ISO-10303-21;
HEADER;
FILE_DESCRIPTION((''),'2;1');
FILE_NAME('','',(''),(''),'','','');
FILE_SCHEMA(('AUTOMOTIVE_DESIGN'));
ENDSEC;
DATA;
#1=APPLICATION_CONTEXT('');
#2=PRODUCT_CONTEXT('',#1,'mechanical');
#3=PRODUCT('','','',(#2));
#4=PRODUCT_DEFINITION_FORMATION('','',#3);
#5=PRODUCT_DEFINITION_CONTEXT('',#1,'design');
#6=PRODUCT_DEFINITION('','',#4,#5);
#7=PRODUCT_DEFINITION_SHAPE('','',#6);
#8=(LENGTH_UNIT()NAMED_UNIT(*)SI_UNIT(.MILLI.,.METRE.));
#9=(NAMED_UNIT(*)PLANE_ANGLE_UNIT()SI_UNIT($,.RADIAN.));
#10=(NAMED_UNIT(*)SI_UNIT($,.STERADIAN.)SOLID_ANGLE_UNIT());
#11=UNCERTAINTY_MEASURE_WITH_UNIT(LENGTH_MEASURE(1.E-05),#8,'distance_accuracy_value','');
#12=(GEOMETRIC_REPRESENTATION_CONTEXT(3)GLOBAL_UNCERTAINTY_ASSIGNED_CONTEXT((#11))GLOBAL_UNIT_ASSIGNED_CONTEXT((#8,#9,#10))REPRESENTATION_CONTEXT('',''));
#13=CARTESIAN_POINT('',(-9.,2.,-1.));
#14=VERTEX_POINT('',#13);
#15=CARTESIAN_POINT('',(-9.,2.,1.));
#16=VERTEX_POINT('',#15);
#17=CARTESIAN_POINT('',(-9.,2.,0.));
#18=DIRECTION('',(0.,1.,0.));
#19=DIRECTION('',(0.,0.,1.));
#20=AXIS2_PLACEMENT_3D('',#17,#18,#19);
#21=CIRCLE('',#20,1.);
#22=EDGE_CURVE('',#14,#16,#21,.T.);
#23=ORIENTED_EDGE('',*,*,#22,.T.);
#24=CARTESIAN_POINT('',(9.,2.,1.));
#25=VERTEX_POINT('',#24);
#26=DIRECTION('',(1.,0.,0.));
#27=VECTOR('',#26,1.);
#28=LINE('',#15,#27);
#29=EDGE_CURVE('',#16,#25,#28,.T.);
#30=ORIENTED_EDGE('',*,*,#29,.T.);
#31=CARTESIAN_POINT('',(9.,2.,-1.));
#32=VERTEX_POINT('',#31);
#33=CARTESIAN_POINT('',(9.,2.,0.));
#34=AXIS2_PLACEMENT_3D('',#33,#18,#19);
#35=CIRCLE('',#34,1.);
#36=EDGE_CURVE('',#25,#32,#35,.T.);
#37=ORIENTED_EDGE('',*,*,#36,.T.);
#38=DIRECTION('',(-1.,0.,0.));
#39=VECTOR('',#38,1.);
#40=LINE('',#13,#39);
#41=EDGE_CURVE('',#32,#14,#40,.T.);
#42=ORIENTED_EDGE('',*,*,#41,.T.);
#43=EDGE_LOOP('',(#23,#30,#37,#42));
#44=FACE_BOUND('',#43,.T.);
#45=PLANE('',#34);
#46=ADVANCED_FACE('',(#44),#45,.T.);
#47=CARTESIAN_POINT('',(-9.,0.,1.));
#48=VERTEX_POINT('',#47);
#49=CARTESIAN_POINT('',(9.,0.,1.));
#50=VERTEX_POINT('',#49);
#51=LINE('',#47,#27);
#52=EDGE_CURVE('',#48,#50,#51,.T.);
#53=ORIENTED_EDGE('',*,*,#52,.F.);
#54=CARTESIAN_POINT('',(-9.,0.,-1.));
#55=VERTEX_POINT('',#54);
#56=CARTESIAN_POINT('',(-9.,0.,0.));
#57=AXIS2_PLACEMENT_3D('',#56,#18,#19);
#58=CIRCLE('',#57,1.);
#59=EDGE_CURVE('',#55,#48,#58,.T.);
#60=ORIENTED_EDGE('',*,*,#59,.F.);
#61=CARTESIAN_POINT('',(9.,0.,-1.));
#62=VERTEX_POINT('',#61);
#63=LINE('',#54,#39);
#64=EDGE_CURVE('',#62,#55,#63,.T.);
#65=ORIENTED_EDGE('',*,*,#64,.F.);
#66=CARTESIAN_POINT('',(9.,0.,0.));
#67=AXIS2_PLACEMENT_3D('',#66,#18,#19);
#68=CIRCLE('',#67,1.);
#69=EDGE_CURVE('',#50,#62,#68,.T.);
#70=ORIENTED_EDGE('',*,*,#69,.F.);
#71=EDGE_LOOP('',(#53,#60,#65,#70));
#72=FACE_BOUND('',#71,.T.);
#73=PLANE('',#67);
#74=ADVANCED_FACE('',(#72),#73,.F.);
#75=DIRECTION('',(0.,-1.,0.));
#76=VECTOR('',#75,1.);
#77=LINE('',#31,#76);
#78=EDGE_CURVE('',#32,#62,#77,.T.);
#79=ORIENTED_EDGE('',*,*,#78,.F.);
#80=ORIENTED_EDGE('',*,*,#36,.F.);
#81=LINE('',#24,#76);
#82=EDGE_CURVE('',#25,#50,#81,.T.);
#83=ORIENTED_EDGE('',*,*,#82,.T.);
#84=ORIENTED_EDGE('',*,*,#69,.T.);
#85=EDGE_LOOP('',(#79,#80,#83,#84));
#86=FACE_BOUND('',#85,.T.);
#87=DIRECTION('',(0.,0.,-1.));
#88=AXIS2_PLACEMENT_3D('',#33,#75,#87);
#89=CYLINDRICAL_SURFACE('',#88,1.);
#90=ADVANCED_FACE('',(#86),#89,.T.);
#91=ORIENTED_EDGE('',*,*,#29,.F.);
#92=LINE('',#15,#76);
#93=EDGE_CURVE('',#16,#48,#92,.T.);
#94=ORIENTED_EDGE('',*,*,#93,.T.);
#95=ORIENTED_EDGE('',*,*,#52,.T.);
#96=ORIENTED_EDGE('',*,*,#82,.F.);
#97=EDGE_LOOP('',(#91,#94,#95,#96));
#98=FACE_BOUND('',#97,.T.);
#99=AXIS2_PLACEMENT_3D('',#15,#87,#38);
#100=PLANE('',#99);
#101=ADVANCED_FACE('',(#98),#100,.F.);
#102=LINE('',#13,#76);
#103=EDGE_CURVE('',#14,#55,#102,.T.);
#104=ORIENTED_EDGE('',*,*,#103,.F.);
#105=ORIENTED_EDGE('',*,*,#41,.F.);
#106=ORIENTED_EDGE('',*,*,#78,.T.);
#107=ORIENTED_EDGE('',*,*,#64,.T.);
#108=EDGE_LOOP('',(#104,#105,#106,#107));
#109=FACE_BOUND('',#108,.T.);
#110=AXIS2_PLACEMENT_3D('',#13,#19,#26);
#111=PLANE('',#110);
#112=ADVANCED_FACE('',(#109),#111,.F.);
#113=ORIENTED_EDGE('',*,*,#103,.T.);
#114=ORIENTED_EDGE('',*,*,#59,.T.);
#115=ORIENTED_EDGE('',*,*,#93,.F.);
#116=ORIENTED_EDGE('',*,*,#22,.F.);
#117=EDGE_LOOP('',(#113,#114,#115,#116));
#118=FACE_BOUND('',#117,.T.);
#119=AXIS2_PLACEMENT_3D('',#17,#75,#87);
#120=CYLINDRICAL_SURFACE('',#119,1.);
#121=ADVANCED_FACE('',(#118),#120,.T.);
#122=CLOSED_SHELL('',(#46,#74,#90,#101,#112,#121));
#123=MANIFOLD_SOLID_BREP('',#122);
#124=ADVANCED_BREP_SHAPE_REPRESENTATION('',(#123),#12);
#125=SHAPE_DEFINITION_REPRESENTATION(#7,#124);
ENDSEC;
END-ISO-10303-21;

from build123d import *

# Parameters (mm, degrees)
BOSS_EXTRUDE1_DEPTH = 2


with BuildPart() as part:
    # Sketch1 → Boss-Extrude1 (new body)
    with BuildSketch(Plane(origin=(0, 0, 0), x_dir=(1, 0, 0), z_dir=(0, 1, 0))):
        with BuildLine():
            Line((-9, 1), (9, 1))
            ThreePointArc((9, 1), (10, 0), (9, -1))
            Line((9, -1), (-9, -1))
            ThreePointArc((-9, -1), (-10, 0), (-9, 1))
        make_face()
    extrude(amount=BOSS_EXTRUDE1_DEPTH)


solid = part.part
